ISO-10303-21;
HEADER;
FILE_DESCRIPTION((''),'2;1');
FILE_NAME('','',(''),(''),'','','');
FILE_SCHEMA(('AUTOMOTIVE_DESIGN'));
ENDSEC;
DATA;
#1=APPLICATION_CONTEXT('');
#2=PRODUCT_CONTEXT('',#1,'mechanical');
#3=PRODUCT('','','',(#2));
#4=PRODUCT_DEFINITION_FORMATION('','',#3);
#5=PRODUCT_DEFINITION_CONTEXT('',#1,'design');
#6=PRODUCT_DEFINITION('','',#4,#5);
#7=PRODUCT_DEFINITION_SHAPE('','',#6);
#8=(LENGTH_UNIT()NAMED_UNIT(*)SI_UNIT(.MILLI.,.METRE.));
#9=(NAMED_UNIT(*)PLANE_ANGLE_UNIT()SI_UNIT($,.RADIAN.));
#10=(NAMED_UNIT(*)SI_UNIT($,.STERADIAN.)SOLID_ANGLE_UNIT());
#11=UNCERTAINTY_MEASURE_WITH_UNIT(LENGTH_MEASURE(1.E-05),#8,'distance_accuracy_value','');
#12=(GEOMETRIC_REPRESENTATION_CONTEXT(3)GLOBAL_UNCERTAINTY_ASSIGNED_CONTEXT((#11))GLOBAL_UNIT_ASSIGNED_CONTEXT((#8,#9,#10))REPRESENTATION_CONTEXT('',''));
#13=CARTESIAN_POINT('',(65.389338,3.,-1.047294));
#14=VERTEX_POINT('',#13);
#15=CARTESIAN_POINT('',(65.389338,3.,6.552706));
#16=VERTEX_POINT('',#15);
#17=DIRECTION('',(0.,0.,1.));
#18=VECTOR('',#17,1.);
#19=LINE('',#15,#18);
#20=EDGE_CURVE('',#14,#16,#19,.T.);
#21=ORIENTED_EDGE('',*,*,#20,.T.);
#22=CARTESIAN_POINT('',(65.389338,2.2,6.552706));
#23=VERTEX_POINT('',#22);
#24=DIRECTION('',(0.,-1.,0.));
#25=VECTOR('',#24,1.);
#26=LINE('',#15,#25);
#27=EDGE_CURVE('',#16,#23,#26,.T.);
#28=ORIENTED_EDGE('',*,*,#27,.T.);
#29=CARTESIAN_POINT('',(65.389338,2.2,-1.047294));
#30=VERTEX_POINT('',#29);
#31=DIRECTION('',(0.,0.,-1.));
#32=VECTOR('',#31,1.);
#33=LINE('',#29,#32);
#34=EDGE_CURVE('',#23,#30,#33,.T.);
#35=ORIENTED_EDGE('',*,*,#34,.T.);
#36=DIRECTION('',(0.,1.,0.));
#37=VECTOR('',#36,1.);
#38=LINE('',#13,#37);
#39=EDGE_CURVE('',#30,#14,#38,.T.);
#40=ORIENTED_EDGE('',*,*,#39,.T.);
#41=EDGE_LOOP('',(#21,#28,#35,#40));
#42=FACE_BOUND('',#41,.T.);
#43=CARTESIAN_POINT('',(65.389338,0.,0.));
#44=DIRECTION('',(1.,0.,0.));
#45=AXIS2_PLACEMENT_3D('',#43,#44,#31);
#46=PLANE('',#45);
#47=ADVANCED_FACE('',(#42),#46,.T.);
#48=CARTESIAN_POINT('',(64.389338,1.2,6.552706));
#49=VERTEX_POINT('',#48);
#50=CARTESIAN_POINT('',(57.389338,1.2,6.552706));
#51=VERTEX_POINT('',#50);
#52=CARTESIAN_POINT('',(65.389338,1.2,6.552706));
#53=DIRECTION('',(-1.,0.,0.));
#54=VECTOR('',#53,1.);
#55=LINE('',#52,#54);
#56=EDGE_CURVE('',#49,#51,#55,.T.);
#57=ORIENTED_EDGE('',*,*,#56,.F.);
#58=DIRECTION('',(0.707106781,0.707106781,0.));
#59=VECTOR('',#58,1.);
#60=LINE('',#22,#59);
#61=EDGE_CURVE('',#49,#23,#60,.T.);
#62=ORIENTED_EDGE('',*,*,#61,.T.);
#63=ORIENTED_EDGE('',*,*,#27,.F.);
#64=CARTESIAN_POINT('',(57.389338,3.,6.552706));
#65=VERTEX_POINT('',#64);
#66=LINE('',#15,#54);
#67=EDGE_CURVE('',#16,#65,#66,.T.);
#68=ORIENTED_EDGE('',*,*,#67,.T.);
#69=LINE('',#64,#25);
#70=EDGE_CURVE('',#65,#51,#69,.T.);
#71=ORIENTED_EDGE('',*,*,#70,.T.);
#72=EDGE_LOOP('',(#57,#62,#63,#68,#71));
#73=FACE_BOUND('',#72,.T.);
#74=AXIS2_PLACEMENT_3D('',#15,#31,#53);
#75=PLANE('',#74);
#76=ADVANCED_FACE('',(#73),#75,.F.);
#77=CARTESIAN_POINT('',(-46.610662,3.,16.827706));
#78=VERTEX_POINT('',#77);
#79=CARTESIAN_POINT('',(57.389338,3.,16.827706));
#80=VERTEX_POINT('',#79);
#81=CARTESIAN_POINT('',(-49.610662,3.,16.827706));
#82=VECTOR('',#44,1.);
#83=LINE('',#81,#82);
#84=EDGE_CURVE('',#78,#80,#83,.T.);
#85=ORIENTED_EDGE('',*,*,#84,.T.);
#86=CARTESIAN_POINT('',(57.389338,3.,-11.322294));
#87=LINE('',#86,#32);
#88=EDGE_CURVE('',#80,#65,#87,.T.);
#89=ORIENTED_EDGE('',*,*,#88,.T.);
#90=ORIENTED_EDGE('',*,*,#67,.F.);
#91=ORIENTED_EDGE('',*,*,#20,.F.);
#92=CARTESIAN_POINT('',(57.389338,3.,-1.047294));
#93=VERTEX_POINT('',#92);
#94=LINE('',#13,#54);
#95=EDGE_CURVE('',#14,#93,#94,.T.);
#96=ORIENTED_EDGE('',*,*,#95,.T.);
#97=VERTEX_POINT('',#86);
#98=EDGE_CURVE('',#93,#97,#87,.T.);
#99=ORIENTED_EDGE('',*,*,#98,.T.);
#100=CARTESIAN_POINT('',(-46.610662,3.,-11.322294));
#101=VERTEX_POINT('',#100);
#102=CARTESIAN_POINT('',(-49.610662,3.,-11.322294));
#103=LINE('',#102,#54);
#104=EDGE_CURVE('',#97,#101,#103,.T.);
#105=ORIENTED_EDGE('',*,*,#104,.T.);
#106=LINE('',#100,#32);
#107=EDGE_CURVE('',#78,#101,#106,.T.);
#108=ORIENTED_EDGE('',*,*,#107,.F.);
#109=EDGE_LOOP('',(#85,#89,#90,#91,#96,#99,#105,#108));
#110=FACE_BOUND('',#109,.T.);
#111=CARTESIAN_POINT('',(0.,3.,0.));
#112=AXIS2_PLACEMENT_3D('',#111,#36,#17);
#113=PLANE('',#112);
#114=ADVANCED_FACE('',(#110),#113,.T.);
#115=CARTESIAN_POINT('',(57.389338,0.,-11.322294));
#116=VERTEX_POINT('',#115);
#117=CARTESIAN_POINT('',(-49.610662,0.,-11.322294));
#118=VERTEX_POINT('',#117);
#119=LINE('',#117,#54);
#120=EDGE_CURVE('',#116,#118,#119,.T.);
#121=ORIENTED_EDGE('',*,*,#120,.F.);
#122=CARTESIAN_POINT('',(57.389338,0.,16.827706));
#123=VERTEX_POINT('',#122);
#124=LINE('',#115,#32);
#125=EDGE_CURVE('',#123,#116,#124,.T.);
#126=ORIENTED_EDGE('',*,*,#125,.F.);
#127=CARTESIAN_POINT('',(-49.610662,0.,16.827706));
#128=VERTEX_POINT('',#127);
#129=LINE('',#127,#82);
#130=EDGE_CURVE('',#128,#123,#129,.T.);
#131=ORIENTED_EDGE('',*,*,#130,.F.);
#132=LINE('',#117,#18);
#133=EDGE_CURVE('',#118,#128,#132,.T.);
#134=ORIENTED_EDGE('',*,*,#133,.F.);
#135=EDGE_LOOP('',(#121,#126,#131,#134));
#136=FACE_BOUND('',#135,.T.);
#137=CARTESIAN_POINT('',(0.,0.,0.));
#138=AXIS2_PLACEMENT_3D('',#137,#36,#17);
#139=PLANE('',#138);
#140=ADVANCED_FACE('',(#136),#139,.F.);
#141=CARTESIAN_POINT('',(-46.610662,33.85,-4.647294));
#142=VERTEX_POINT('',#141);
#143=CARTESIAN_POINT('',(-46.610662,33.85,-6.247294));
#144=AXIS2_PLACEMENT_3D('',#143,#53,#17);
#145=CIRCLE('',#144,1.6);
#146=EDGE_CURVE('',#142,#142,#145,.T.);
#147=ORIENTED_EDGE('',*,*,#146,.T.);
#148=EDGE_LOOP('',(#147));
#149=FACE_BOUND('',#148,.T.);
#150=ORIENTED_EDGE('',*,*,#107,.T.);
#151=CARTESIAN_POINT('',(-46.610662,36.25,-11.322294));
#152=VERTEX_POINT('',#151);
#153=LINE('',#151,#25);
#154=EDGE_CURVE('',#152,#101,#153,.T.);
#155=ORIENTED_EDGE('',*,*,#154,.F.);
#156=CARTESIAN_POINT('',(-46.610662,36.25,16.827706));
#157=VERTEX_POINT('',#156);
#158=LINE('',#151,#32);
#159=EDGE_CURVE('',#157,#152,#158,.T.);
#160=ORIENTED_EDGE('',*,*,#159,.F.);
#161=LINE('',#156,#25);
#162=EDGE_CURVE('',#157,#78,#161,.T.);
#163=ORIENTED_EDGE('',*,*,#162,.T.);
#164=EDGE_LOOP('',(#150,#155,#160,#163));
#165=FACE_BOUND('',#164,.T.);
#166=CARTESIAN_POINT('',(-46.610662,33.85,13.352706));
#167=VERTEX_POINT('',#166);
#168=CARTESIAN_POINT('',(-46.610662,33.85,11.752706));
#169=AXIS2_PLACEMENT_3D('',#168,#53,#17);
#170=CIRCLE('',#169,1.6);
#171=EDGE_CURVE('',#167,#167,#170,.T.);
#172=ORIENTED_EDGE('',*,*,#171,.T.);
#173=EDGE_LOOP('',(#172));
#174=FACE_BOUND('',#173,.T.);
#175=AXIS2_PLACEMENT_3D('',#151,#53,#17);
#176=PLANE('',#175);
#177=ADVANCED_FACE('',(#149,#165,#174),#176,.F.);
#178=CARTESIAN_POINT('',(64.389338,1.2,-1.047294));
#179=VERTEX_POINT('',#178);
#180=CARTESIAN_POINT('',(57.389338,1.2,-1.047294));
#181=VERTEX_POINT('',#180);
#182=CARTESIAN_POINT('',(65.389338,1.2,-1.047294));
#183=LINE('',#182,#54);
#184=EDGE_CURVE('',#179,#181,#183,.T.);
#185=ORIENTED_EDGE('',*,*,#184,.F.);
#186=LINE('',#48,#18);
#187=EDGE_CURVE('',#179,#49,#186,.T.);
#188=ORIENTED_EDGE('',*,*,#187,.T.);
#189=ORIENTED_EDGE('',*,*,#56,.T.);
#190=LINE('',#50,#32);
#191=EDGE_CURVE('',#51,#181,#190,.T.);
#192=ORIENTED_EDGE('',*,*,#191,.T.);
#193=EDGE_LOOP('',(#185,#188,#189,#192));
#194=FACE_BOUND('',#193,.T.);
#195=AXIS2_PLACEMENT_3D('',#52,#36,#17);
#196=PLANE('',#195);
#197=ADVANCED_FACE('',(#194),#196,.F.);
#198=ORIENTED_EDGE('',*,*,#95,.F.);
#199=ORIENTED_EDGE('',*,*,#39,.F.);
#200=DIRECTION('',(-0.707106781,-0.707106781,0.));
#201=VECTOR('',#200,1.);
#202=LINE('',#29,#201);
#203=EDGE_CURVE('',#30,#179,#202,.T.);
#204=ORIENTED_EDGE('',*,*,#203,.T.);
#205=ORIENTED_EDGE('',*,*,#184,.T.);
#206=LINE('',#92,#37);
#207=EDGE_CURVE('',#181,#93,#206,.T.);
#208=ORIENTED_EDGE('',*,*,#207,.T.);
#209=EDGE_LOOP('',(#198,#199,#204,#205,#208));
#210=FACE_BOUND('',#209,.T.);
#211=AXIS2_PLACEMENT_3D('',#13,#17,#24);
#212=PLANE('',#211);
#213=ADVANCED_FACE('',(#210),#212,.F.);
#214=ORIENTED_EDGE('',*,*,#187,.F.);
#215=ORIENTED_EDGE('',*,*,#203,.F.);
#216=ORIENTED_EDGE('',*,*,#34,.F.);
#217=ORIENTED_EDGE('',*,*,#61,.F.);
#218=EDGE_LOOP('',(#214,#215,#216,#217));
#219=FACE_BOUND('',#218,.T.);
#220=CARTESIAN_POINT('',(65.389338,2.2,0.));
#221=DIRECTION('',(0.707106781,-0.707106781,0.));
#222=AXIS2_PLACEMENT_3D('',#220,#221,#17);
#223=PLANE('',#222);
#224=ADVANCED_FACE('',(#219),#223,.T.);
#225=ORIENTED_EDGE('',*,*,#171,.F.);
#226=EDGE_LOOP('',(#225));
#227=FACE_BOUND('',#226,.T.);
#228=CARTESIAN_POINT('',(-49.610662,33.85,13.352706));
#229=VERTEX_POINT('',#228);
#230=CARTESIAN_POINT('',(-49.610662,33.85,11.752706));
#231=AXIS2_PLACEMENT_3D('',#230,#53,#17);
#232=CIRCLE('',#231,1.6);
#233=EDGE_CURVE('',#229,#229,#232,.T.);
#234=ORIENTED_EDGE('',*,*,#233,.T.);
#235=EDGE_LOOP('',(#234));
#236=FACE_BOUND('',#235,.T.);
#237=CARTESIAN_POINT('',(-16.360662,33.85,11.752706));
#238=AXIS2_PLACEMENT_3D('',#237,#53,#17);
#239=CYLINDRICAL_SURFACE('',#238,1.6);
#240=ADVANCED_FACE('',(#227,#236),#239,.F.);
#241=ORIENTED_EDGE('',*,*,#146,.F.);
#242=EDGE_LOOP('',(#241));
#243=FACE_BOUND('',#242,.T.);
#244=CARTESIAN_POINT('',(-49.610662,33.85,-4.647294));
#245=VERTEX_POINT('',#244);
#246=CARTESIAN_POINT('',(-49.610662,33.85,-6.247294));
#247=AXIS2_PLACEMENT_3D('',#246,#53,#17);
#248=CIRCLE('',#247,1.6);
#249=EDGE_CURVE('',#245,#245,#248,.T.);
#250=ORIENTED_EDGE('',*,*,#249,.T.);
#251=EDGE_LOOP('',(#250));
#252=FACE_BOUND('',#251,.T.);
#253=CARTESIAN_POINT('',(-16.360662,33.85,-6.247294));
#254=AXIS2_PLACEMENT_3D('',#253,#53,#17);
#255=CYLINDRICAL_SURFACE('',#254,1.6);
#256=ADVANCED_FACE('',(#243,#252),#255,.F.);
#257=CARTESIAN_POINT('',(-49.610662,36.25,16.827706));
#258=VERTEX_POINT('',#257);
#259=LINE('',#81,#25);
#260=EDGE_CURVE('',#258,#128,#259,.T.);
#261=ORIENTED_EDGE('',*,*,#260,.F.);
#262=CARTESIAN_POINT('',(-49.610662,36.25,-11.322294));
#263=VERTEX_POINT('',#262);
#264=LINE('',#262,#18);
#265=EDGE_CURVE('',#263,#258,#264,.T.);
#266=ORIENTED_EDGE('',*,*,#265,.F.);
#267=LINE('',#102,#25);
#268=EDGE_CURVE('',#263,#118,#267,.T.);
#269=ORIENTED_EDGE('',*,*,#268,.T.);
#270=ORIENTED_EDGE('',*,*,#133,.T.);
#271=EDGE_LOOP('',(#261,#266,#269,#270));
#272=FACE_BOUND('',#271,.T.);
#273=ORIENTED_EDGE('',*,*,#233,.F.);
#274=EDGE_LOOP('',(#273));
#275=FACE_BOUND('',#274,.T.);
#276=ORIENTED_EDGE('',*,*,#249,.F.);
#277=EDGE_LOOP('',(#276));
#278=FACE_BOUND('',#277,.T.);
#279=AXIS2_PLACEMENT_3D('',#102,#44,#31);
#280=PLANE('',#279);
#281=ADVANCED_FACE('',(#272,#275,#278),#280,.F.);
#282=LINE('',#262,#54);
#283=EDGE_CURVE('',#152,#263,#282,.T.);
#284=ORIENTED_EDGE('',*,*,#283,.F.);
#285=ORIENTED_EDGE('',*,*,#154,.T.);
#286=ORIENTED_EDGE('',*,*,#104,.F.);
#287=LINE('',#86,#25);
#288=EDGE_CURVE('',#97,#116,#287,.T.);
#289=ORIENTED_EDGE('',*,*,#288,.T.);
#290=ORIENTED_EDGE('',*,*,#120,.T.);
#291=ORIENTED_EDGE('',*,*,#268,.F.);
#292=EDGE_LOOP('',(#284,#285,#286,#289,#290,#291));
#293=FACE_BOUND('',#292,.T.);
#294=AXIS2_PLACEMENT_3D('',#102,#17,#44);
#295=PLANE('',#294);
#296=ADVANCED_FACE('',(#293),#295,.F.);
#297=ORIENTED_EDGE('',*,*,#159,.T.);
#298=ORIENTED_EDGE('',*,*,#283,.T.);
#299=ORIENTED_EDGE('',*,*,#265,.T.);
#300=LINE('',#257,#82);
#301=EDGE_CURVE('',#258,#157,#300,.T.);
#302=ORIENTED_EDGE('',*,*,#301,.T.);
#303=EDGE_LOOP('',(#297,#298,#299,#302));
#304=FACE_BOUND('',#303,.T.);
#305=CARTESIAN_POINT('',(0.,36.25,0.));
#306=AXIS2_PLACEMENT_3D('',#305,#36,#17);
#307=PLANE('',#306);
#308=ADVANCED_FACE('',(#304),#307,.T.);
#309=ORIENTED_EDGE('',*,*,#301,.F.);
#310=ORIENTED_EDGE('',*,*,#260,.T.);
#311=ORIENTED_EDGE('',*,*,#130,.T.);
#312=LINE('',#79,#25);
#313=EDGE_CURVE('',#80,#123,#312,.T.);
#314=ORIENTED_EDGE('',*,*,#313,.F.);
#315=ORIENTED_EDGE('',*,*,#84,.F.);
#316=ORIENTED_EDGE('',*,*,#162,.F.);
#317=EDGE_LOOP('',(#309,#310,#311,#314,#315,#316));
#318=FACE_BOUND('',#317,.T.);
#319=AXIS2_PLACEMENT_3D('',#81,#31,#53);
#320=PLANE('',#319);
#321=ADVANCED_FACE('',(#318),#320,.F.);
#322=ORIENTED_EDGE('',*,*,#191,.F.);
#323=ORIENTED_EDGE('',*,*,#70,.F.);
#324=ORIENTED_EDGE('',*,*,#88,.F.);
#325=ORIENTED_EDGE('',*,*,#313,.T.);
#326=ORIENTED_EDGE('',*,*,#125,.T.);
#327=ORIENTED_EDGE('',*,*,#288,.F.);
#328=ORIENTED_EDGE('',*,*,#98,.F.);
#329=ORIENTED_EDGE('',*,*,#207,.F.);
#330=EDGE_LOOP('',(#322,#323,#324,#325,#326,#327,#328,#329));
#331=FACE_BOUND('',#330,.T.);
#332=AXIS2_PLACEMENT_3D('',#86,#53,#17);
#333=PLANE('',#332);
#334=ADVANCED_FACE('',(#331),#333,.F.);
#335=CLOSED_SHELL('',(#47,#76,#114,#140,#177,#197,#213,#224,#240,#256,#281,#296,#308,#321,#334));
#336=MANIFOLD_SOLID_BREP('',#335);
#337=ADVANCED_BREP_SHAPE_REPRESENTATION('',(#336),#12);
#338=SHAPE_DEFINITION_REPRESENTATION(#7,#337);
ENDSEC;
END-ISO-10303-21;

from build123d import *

# Parameters (mm, degrees)
SKETCH1_W           = 107
SKETCH1_H           = 28.15
BOSS_EXTRUDE1_DEPTH = 3
SKETCH2_W           = 7.6
SKETCH2_H           = 1.8
BOSS_EXTRUDE2_DEPTH = 8
CHAMFER1_SIZE       = 1
SKETCH3_W           = 3
SKETCH3_H           = 28.15
BOSS_EXTRUDE3_DEPTH = 33.25
SKETCH4_R           = 1.6
CUT_EXTRUDE1_DEPTH  = 33.25


with BuildPart() as part:
    # Sketch1 → Boss-Extrude1 (new body)
    with BuildSketch(Plane(origin=(0, 0, 0), x_dir=(1, 0, 0), z_dir=(0, 1, 0))):
        with Locations((3.889337641, -2.752705977)):
            Rectangle(SKETCH1_W, SKETCH1_H)
    extrude(amount=BOSS_EXTRUDE1_DEPTH)

    # Sketch2 → Boss-Extrude2 (add)
    with BuildSketch(Plane(origin=(57.389337641, 0, 0), x_dir=(0, 0, -1), z_dir=(1, 0, 0))):
        with Locations((-2.752705977, 2.1)):
            Rectangle(SKETCH2_W, SKETCH2_H)
    extrude(amount=BOSS_EXTRUDE2_DEPTH)

    # Chamfer1
    chamfer1_edges = [part.edges().sort_by_distance(p)[0] for p in [
        (65.389337641, 1.2, 2.752705977),
    ]]
    chamfer(chamfer1_edges, length=CHAMFER1_SIZE)

    # Sketch3 → Boss-Extrude3 (add)
    with BuildSketch(Plane(origin=(0, 3, 0), x_dir=(1, 0, 0), z_dir=(0, 1, 0))):
        with Locations((-48.110662359, -2.752705977)):
            Rectangle(SKETCH3_W, SKETCH3_H)
    extrude(amount=BOSS_EXTRUDE3_DEPTH)

    # Sketch4 → Cut-Extrude1 (cut)
    with BuildSketch(Plane.ZY.offset(49.610662359)):
        with Locations((-6.247294023, 33.85)):
            Circle(SKETCH4_R)
        with Locations((11.752705977, 33.85)):
            Circle(SKETCH4_R)
    extrude(amount=-CUT_EXTRUDE1_DEPTH, mode=Mode.SUBTRACT)


solid = part.part
